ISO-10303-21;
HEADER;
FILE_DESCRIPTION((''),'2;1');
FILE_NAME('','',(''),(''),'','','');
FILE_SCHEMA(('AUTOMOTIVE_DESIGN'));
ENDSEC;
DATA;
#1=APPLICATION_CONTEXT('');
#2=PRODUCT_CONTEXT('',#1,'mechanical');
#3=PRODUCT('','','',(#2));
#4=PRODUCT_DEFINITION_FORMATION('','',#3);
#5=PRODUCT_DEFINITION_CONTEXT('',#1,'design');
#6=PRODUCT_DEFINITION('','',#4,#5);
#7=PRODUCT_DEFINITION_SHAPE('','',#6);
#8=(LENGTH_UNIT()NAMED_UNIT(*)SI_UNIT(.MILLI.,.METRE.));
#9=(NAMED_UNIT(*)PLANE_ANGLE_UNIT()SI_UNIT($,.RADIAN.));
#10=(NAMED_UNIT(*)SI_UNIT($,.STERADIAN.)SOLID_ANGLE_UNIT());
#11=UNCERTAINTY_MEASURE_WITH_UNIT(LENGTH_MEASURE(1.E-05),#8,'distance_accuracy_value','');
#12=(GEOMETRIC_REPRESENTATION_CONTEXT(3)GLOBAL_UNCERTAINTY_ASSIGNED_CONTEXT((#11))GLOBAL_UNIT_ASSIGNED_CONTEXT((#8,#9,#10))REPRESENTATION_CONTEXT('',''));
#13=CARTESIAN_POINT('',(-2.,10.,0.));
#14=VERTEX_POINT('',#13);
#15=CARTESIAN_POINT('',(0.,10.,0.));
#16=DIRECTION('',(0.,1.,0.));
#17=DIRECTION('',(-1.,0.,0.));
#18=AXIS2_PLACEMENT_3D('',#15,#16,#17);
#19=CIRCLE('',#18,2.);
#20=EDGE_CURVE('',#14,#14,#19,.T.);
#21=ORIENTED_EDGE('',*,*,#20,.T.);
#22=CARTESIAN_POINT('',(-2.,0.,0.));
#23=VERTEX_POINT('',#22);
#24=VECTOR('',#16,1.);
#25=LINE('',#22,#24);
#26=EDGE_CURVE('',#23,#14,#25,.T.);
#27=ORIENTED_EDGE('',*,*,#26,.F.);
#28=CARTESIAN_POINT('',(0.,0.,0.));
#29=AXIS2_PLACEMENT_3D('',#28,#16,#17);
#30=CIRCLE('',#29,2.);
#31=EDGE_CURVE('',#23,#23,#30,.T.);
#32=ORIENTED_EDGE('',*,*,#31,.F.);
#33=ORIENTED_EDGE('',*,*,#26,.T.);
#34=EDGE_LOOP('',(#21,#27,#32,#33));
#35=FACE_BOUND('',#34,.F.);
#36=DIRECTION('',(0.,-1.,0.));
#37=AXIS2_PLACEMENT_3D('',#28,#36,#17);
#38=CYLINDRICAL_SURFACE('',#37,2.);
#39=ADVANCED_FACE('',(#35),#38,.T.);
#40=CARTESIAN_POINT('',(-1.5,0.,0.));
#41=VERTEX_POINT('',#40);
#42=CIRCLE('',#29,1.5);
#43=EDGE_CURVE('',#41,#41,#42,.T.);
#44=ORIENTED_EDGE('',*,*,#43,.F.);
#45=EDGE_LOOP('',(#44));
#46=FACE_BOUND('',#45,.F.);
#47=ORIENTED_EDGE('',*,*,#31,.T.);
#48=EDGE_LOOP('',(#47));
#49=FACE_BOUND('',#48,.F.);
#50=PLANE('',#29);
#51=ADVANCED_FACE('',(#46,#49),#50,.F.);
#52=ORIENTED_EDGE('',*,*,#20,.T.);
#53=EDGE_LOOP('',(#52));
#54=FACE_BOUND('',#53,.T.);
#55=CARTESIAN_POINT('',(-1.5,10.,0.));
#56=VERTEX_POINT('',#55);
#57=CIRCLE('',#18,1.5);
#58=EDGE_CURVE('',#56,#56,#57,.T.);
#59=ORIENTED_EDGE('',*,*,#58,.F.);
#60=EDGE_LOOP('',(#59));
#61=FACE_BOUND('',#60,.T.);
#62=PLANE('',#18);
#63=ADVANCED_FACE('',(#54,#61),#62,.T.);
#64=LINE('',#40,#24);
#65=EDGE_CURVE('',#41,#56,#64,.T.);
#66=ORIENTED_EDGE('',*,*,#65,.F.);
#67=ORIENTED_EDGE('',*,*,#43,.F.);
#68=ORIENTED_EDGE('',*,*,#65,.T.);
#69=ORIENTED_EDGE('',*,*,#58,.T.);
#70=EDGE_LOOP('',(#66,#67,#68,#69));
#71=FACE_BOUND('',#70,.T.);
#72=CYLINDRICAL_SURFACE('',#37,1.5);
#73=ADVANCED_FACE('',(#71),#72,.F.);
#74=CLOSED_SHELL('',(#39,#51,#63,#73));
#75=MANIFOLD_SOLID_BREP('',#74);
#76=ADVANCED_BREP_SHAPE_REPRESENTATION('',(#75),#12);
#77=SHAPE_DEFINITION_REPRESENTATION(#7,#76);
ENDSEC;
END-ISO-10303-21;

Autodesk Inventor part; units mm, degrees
ref_plane "YZ Plane" through (0, 0, 0) normal (1, 0, 0) x (0, 1, 0)
ref_plane "XZ Plane" through (0, 0, 0) normal (0, 1, 0) x (-1, 0, 0)
ref_plane "XY Plane" through (0, 0, 0) normal (0, 0, 1) x (1, 0, 0)
sketch "スケッチ1" plane through (0, 0, 0) normal (0, 1, 0) x (-1, 0, 0)
  circle A0 centre (0, 0) radius 1.5
  circle A1 centre (0, 0) radius 2
  dimension "d0" = 3
  dimension "d1" = 4
extrude "押し出し1" add sketch "スケッチ1" along normal blind 10
properties part number "trackball_spacer" material "真鍮、ソフト イエロー"
